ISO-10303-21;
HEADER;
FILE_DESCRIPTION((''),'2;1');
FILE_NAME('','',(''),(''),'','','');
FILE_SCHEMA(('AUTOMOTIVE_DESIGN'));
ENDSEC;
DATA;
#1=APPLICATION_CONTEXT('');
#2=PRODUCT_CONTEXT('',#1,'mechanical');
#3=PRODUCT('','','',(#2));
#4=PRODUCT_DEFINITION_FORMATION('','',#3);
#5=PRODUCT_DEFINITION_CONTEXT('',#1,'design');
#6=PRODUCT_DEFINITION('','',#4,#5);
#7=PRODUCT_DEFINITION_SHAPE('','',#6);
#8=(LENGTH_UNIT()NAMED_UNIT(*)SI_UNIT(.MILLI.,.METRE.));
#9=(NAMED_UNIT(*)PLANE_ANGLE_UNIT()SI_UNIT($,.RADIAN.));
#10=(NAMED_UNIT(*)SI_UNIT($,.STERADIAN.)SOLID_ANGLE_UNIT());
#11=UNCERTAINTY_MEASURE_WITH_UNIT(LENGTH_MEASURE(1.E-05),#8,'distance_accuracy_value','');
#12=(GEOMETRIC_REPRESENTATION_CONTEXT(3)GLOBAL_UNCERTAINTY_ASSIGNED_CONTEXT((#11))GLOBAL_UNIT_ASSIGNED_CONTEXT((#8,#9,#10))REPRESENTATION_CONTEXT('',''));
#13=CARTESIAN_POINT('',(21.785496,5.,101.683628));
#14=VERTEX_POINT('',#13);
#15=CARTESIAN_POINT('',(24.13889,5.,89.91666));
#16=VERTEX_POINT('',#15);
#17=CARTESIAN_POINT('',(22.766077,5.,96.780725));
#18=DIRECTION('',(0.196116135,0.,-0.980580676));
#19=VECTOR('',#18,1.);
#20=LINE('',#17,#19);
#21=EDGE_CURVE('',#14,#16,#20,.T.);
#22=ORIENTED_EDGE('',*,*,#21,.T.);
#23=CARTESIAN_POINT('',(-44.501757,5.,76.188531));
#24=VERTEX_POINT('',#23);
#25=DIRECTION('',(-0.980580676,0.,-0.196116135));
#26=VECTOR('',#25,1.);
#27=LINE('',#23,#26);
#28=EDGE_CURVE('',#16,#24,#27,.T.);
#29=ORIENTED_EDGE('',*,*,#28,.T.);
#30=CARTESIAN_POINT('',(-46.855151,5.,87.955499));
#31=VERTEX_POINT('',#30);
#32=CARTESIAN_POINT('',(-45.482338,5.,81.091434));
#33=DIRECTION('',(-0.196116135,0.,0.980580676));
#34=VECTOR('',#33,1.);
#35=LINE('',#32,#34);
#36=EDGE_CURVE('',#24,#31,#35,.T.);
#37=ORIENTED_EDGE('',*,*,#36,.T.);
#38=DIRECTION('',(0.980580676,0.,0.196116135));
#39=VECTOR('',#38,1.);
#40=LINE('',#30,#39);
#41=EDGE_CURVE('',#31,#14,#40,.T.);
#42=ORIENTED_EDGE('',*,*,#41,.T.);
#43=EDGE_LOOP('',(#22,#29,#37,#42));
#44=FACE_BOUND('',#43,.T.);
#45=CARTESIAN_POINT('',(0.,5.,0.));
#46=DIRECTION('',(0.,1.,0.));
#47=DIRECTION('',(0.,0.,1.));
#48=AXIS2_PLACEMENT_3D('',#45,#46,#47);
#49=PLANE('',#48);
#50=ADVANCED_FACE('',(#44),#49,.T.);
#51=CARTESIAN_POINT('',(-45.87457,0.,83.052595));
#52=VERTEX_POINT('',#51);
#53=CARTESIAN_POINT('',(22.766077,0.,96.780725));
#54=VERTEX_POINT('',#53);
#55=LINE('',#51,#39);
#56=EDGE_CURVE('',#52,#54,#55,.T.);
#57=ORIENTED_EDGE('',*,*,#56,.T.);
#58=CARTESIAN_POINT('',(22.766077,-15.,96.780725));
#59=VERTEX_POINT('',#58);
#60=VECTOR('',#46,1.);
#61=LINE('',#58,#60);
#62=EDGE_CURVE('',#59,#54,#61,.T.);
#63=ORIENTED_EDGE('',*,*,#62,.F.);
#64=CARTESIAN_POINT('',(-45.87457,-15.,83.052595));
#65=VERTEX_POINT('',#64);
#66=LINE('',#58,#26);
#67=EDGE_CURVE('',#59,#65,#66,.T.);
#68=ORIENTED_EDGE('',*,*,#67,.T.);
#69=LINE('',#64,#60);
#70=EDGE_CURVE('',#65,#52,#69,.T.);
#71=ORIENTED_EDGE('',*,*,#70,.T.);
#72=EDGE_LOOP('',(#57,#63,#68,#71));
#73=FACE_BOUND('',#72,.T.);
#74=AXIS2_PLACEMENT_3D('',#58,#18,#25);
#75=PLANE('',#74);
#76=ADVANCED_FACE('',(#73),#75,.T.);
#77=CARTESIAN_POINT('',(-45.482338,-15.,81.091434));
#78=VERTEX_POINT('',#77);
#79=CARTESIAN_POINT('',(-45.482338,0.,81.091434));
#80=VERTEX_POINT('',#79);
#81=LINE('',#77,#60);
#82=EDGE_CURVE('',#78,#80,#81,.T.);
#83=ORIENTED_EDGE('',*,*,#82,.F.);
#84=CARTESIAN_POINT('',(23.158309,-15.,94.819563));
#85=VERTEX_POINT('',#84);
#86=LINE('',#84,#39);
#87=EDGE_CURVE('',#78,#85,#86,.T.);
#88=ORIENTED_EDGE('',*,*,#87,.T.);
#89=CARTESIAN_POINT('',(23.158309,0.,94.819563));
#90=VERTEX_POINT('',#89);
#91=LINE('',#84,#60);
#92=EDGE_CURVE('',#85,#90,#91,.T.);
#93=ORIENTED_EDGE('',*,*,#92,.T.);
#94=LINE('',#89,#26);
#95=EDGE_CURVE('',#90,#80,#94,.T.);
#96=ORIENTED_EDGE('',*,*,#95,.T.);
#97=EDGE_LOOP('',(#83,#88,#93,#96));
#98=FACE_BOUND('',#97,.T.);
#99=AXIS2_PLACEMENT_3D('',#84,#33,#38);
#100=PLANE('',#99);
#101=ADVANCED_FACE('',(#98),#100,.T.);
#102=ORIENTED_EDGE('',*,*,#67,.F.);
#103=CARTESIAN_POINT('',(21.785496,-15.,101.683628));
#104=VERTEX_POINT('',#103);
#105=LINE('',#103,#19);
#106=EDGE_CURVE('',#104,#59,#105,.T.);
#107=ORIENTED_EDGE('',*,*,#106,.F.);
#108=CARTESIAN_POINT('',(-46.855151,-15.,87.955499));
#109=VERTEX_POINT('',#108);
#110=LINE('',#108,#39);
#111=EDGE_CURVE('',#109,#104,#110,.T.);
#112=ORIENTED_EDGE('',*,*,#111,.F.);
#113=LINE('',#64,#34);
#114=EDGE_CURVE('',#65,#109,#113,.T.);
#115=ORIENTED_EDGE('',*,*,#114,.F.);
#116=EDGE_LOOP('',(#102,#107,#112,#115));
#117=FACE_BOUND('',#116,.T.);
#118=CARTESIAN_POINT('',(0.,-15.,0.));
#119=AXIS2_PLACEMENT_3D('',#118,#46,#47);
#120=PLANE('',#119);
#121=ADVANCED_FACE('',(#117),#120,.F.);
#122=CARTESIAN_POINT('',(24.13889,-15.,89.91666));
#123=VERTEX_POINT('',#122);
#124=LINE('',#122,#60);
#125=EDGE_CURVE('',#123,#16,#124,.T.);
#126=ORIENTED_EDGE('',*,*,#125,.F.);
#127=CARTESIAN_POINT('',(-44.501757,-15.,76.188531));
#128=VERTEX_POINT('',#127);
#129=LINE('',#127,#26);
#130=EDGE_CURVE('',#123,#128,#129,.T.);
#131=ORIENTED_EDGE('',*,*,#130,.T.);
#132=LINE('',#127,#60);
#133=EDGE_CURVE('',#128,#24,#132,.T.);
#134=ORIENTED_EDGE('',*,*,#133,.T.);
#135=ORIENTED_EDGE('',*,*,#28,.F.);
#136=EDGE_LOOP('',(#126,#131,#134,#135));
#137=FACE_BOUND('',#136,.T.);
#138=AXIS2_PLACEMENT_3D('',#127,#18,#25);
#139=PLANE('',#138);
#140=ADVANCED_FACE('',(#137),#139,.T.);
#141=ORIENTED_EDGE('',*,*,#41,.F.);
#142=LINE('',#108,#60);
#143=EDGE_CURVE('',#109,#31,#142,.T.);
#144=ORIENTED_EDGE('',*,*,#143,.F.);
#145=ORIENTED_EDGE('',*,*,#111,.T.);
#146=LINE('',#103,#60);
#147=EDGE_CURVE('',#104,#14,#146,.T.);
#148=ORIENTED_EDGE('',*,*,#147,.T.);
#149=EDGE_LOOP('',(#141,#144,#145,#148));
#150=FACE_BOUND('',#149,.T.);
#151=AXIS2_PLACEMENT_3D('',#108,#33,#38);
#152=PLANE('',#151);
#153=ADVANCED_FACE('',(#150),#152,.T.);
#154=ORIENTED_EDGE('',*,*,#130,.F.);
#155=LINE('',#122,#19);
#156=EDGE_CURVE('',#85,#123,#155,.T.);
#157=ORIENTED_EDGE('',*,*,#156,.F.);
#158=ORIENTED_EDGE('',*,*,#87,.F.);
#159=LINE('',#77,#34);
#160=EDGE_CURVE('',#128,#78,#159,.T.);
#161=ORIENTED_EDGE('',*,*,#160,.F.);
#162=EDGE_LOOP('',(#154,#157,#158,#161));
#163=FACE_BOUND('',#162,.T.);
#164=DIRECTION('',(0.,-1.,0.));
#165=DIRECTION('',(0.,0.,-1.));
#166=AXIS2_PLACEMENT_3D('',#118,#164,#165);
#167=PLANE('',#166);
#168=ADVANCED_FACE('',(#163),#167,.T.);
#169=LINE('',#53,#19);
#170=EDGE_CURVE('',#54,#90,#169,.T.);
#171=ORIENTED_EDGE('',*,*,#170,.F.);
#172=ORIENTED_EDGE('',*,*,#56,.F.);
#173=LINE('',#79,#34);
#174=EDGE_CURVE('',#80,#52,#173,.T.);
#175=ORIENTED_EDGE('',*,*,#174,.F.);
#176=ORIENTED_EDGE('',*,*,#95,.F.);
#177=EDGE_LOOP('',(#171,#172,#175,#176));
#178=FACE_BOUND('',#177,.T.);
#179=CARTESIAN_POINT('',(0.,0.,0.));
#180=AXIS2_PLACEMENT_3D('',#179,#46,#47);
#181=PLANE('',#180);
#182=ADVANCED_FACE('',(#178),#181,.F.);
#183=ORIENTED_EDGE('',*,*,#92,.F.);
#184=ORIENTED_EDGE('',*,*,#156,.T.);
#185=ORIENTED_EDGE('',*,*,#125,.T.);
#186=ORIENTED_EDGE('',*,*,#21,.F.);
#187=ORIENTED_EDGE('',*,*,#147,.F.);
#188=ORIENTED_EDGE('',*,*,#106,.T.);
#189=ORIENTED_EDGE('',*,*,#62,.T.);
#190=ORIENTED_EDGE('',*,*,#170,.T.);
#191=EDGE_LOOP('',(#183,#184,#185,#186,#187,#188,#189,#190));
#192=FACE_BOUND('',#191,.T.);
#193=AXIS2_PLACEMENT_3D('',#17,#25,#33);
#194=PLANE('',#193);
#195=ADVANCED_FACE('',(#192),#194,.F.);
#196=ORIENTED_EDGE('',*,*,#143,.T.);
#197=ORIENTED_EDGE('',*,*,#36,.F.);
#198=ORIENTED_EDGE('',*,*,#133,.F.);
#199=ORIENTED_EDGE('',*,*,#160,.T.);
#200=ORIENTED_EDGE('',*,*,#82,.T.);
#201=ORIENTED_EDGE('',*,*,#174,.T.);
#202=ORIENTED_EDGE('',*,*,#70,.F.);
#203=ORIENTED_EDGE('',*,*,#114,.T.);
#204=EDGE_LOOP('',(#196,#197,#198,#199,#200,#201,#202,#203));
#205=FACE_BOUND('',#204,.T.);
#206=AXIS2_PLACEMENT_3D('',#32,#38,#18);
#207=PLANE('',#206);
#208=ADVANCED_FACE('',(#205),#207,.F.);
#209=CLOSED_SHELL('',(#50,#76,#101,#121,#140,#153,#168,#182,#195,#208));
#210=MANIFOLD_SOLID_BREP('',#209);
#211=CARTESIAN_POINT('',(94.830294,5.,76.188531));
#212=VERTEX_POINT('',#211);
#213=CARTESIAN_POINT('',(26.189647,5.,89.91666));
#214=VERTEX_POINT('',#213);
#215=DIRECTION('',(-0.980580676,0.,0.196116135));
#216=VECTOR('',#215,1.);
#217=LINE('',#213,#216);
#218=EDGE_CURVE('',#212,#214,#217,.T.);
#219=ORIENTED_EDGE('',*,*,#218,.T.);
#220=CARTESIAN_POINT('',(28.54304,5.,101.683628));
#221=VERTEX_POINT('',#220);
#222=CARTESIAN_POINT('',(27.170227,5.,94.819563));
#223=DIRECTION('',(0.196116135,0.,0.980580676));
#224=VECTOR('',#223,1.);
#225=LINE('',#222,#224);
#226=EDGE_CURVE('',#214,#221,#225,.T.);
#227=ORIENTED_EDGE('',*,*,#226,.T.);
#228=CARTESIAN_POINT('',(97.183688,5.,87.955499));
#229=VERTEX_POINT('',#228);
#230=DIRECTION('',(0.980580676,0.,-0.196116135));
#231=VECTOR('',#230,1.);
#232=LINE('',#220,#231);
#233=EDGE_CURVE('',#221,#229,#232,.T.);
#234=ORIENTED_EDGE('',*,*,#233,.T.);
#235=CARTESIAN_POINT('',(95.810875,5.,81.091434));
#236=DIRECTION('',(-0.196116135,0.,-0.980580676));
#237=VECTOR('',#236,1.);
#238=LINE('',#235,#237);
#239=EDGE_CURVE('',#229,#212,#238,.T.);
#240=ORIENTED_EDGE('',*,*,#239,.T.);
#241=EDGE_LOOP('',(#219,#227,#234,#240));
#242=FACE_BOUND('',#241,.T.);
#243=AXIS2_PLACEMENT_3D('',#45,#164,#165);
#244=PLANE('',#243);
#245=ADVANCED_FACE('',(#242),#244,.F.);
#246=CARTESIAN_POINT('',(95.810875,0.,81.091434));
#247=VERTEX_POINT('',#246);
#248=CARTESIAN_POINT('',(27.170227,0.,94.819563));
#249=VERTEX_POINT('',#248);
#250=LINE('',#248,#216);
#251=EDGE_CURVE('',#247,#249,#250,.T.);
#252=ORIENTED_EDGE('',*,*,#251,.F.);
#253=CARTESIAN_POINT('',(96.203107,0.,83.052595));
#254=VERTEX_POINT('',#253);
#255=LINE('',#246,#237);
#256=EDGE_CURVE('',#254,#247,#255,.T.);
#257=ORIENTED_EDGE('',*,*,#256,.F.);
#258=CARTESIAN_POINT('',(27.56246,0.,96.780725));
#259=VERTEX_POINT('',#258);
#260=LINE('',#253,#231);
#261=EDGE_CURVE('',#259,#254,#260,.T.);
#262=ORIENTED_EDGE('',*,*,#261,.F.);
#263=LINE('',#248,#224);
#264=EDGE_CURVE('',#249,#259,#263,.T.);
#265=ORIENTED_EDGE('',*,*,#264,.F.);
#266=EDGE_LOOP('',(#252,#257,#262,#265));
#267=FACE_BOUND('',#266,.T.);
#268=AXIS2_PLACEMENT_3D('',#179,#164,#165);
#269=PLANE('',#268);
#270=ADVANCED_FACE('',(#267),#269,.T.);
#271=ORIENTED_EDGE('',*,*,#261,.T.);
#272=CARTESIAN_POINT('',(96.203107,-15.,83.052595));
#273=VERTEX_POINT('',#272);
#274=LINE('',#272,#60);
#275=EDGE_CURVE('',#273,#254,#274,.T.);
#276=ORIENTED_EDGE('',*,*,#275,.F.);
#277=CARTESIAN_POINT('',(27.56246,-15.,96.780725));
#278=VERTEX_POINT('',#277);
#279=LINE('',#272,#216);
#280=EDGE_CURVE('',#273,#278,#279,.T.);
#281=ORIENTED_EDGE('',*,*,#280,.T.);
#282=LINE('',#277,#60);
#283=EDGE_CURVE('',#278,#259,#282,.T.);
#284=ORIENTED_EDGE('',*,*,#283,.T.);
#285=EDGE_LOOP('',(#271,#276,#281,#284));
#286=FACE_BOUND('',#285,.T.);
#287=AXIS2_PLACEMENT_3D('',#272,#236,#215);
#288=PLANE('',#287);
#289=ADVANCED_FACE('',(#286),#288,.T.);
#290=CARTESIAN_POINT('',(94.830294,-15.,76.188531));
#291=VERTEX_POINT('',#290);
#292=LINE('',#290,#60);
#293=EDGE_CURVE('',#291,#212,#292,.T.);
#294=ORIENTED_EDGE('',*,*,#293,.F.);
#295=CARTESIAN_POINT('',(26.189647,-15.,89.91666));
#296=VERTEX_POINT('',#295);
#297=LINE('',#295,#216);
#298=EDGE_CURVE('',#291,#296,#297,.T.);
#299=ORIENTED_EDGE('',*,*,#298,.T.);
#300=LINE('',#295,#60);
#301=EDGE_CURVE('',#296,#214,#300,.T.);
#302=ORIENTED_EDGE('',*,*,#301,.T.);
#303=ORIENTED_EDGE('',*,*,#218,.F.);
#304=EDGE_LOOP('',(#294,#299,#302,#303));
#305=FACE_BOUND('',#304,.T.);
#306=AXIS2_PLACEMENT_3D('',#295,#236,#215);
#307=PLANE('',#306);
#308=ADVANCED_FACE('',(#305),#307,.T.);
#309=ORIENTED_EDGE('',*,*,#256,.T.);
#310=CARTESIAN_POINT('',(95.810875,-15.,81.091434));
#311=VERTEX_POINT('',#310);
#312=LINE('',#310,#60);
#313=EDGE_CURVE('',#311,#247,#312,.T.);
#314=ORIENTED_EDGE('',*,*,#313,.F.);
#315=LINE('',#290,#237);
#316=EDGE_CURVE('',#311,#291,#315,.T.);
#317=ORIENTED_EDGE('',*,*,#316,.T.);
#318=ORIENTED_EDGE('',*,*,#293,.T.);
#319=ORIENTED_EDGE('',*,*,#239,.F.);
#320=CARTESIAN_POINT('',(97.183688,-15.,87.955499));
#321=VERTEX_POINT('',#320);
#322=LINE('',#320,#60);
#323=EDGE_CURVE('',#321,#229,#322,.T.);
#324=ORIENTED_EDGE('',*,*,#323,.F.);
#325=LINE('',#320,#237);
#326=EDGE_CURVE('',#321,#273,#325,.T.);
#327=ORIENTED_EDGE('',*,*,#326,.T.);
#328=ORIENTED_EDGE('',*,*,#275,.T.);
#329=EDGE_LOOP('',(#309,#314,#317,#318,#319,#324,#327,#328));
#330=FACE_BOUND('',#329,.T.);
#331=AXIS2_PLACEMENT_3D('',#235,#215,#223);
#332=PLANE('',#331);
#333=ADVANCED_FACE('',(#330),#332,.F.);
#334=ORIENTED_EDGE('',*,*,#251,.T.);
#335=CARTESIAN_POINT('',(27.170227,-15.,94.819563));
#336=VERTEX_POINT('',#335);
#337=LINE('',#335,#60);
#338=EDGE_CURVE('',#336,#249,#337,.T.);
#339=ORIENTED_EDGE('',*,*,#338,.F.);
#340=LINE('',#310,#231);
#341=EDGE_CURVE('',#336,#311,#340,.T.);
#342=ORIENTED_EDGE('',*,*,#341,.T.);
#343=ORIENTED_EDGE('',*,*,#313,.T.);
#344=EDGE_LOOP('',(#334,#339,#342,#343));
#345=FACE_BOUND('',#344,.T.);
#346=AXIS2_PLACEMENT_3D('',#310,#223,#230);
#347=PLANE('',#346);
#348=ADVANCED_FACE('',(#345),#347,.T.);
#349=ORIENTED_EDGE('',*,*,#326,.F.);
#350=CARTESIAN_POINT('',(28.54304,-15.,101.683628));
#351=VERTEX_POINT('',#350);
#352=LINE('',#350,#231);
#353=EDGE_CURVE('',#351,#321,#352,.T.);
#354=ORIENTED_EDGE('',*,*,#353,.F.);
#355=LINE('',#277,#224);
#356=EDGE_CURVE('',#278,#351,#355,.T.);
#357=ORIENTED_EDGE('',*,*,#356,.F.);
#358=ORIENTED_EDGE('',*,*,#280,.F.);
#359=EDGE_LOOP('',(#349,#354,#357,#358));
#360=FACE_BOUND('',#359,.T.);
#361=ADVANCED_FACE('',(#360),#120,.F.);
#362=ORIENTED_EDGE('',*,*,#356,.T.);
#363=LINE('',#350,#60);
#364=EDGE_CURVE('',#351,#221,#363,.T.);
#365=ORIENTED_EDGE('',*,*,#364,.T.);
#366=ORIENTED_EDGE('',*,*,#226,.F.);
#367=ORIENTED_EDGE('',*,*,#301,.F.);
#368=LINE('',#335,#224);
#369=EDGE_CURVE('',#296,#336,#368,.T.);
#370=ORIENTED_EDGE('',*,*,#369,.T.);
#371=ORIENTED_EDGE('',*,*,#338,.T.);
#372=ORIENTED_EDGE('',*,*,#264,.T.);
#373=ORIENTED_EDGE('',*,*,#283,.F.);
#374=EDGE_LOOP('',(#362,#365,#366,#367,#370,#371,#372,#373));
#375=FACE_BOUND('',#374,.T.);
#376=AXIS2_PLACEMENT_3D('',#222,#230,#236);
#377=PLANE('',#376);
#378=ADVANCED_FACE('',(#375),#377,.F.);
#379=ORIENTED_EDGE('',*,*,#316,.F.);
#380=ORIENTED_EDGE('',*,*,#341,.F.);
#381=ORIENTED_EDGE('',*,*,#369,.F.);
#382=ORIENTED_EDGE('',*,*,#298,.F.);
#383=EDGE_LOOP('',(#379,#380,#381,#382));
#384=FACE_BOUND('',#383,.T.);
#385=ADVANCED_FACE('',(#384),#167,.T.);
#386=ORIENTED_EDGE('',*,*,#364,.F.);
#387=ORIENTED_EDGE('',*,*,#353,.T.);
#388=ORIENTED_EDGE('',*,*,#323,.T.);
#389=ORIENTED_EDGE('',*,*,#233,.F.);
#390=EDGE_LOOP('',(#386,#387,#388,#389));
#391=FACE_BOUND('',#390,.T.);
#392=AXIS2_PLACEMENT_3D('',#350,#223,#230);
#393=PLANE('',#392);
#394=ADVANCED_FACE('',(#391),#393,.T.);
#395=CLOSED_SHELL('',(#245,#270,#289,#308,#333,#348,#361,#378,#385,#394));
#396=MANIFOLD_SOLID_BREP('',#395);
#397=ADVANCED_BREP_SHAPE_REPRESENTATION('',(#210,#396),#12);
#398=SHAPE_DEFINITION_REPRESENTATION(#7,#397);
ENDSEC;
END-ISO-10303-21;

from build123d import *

# Parameters (mm, degrees)
BOSS_EXTRUDE1_DEPTH   = 5
BOSS_EXTRUDE1_2_DEPTH = 5
BOSS_EXTRUDE2_DEPTH   = 20


with BuildPart() as part:
    # Sketch1 → Boss-Extrude1 (new body)
    with BuildSketch(Plane(origin=(0, 0, 0), x_dir=(1, 0, 0), z_dir=(0, 1, 0))):
        Polygon((27.17022743, -94.819563398), (27.5624597, -96.780724749), (96.203106998, -83.05259529), (95.810874728, -81.091433938), align=None)
    extrude(amount=BOSS_EXTRUDE1_DEPTH)



with BuildPart() as body_2:
    # Sketch1 → Boss-Extrude1 2 (new body)
    with BuildSketch(Plane(origin=(0, 0, 0), x_dir=(1, 0, 0), z_dir=(0, 1, 0))):
        Polygon((22.766076999, -96.780724749), (23.15830927, -94.819563398), (-45.482338029, -81.091433938), (-45.874570299, -83.05259529), align=None)
    extrude(amount=BOSS_EXTRUDE1_2_DEPTH)


with BuildPart() as part_1:
    add(part.part)

    add(body_2.part)  # Boss-Extrude2 merges body 2
    # Sketch2 → Boss-Extrude2 (add)
    with BuildSketch(Plane(origin=(0, 5, 0), x_dir=(1, 0, 0), z_dir=(0, 1, 0))):
        Polygon((-45.482338029, -81.091433938), (-44.501757353, -76.18853056), (24.138889945, -89.916660019), (23.15830927, -94.819563398), align=None)
        Polygon((21.785496324, -101.683628128), (22.766076999, -96.780724749), (-45.874570299, -83.05259529), (-46.855150975, -87.955498668), align=None)
        Polygon((27.17022743, -94.819563398), (26.189646754, -89.916660019), (94.830294052, -76.18853056), (95.810874728, -81.091433938), align=None)
        Polygon((97.183687674, -87.955498668), (96.203106998, -83.05259529), (27.5624597, -96.780724749), (28.543040376, -101.683628128), align=None)
    extrude(amount=-BOSS_EXTRUDE2_DEPTH)


solid = part_1.part
